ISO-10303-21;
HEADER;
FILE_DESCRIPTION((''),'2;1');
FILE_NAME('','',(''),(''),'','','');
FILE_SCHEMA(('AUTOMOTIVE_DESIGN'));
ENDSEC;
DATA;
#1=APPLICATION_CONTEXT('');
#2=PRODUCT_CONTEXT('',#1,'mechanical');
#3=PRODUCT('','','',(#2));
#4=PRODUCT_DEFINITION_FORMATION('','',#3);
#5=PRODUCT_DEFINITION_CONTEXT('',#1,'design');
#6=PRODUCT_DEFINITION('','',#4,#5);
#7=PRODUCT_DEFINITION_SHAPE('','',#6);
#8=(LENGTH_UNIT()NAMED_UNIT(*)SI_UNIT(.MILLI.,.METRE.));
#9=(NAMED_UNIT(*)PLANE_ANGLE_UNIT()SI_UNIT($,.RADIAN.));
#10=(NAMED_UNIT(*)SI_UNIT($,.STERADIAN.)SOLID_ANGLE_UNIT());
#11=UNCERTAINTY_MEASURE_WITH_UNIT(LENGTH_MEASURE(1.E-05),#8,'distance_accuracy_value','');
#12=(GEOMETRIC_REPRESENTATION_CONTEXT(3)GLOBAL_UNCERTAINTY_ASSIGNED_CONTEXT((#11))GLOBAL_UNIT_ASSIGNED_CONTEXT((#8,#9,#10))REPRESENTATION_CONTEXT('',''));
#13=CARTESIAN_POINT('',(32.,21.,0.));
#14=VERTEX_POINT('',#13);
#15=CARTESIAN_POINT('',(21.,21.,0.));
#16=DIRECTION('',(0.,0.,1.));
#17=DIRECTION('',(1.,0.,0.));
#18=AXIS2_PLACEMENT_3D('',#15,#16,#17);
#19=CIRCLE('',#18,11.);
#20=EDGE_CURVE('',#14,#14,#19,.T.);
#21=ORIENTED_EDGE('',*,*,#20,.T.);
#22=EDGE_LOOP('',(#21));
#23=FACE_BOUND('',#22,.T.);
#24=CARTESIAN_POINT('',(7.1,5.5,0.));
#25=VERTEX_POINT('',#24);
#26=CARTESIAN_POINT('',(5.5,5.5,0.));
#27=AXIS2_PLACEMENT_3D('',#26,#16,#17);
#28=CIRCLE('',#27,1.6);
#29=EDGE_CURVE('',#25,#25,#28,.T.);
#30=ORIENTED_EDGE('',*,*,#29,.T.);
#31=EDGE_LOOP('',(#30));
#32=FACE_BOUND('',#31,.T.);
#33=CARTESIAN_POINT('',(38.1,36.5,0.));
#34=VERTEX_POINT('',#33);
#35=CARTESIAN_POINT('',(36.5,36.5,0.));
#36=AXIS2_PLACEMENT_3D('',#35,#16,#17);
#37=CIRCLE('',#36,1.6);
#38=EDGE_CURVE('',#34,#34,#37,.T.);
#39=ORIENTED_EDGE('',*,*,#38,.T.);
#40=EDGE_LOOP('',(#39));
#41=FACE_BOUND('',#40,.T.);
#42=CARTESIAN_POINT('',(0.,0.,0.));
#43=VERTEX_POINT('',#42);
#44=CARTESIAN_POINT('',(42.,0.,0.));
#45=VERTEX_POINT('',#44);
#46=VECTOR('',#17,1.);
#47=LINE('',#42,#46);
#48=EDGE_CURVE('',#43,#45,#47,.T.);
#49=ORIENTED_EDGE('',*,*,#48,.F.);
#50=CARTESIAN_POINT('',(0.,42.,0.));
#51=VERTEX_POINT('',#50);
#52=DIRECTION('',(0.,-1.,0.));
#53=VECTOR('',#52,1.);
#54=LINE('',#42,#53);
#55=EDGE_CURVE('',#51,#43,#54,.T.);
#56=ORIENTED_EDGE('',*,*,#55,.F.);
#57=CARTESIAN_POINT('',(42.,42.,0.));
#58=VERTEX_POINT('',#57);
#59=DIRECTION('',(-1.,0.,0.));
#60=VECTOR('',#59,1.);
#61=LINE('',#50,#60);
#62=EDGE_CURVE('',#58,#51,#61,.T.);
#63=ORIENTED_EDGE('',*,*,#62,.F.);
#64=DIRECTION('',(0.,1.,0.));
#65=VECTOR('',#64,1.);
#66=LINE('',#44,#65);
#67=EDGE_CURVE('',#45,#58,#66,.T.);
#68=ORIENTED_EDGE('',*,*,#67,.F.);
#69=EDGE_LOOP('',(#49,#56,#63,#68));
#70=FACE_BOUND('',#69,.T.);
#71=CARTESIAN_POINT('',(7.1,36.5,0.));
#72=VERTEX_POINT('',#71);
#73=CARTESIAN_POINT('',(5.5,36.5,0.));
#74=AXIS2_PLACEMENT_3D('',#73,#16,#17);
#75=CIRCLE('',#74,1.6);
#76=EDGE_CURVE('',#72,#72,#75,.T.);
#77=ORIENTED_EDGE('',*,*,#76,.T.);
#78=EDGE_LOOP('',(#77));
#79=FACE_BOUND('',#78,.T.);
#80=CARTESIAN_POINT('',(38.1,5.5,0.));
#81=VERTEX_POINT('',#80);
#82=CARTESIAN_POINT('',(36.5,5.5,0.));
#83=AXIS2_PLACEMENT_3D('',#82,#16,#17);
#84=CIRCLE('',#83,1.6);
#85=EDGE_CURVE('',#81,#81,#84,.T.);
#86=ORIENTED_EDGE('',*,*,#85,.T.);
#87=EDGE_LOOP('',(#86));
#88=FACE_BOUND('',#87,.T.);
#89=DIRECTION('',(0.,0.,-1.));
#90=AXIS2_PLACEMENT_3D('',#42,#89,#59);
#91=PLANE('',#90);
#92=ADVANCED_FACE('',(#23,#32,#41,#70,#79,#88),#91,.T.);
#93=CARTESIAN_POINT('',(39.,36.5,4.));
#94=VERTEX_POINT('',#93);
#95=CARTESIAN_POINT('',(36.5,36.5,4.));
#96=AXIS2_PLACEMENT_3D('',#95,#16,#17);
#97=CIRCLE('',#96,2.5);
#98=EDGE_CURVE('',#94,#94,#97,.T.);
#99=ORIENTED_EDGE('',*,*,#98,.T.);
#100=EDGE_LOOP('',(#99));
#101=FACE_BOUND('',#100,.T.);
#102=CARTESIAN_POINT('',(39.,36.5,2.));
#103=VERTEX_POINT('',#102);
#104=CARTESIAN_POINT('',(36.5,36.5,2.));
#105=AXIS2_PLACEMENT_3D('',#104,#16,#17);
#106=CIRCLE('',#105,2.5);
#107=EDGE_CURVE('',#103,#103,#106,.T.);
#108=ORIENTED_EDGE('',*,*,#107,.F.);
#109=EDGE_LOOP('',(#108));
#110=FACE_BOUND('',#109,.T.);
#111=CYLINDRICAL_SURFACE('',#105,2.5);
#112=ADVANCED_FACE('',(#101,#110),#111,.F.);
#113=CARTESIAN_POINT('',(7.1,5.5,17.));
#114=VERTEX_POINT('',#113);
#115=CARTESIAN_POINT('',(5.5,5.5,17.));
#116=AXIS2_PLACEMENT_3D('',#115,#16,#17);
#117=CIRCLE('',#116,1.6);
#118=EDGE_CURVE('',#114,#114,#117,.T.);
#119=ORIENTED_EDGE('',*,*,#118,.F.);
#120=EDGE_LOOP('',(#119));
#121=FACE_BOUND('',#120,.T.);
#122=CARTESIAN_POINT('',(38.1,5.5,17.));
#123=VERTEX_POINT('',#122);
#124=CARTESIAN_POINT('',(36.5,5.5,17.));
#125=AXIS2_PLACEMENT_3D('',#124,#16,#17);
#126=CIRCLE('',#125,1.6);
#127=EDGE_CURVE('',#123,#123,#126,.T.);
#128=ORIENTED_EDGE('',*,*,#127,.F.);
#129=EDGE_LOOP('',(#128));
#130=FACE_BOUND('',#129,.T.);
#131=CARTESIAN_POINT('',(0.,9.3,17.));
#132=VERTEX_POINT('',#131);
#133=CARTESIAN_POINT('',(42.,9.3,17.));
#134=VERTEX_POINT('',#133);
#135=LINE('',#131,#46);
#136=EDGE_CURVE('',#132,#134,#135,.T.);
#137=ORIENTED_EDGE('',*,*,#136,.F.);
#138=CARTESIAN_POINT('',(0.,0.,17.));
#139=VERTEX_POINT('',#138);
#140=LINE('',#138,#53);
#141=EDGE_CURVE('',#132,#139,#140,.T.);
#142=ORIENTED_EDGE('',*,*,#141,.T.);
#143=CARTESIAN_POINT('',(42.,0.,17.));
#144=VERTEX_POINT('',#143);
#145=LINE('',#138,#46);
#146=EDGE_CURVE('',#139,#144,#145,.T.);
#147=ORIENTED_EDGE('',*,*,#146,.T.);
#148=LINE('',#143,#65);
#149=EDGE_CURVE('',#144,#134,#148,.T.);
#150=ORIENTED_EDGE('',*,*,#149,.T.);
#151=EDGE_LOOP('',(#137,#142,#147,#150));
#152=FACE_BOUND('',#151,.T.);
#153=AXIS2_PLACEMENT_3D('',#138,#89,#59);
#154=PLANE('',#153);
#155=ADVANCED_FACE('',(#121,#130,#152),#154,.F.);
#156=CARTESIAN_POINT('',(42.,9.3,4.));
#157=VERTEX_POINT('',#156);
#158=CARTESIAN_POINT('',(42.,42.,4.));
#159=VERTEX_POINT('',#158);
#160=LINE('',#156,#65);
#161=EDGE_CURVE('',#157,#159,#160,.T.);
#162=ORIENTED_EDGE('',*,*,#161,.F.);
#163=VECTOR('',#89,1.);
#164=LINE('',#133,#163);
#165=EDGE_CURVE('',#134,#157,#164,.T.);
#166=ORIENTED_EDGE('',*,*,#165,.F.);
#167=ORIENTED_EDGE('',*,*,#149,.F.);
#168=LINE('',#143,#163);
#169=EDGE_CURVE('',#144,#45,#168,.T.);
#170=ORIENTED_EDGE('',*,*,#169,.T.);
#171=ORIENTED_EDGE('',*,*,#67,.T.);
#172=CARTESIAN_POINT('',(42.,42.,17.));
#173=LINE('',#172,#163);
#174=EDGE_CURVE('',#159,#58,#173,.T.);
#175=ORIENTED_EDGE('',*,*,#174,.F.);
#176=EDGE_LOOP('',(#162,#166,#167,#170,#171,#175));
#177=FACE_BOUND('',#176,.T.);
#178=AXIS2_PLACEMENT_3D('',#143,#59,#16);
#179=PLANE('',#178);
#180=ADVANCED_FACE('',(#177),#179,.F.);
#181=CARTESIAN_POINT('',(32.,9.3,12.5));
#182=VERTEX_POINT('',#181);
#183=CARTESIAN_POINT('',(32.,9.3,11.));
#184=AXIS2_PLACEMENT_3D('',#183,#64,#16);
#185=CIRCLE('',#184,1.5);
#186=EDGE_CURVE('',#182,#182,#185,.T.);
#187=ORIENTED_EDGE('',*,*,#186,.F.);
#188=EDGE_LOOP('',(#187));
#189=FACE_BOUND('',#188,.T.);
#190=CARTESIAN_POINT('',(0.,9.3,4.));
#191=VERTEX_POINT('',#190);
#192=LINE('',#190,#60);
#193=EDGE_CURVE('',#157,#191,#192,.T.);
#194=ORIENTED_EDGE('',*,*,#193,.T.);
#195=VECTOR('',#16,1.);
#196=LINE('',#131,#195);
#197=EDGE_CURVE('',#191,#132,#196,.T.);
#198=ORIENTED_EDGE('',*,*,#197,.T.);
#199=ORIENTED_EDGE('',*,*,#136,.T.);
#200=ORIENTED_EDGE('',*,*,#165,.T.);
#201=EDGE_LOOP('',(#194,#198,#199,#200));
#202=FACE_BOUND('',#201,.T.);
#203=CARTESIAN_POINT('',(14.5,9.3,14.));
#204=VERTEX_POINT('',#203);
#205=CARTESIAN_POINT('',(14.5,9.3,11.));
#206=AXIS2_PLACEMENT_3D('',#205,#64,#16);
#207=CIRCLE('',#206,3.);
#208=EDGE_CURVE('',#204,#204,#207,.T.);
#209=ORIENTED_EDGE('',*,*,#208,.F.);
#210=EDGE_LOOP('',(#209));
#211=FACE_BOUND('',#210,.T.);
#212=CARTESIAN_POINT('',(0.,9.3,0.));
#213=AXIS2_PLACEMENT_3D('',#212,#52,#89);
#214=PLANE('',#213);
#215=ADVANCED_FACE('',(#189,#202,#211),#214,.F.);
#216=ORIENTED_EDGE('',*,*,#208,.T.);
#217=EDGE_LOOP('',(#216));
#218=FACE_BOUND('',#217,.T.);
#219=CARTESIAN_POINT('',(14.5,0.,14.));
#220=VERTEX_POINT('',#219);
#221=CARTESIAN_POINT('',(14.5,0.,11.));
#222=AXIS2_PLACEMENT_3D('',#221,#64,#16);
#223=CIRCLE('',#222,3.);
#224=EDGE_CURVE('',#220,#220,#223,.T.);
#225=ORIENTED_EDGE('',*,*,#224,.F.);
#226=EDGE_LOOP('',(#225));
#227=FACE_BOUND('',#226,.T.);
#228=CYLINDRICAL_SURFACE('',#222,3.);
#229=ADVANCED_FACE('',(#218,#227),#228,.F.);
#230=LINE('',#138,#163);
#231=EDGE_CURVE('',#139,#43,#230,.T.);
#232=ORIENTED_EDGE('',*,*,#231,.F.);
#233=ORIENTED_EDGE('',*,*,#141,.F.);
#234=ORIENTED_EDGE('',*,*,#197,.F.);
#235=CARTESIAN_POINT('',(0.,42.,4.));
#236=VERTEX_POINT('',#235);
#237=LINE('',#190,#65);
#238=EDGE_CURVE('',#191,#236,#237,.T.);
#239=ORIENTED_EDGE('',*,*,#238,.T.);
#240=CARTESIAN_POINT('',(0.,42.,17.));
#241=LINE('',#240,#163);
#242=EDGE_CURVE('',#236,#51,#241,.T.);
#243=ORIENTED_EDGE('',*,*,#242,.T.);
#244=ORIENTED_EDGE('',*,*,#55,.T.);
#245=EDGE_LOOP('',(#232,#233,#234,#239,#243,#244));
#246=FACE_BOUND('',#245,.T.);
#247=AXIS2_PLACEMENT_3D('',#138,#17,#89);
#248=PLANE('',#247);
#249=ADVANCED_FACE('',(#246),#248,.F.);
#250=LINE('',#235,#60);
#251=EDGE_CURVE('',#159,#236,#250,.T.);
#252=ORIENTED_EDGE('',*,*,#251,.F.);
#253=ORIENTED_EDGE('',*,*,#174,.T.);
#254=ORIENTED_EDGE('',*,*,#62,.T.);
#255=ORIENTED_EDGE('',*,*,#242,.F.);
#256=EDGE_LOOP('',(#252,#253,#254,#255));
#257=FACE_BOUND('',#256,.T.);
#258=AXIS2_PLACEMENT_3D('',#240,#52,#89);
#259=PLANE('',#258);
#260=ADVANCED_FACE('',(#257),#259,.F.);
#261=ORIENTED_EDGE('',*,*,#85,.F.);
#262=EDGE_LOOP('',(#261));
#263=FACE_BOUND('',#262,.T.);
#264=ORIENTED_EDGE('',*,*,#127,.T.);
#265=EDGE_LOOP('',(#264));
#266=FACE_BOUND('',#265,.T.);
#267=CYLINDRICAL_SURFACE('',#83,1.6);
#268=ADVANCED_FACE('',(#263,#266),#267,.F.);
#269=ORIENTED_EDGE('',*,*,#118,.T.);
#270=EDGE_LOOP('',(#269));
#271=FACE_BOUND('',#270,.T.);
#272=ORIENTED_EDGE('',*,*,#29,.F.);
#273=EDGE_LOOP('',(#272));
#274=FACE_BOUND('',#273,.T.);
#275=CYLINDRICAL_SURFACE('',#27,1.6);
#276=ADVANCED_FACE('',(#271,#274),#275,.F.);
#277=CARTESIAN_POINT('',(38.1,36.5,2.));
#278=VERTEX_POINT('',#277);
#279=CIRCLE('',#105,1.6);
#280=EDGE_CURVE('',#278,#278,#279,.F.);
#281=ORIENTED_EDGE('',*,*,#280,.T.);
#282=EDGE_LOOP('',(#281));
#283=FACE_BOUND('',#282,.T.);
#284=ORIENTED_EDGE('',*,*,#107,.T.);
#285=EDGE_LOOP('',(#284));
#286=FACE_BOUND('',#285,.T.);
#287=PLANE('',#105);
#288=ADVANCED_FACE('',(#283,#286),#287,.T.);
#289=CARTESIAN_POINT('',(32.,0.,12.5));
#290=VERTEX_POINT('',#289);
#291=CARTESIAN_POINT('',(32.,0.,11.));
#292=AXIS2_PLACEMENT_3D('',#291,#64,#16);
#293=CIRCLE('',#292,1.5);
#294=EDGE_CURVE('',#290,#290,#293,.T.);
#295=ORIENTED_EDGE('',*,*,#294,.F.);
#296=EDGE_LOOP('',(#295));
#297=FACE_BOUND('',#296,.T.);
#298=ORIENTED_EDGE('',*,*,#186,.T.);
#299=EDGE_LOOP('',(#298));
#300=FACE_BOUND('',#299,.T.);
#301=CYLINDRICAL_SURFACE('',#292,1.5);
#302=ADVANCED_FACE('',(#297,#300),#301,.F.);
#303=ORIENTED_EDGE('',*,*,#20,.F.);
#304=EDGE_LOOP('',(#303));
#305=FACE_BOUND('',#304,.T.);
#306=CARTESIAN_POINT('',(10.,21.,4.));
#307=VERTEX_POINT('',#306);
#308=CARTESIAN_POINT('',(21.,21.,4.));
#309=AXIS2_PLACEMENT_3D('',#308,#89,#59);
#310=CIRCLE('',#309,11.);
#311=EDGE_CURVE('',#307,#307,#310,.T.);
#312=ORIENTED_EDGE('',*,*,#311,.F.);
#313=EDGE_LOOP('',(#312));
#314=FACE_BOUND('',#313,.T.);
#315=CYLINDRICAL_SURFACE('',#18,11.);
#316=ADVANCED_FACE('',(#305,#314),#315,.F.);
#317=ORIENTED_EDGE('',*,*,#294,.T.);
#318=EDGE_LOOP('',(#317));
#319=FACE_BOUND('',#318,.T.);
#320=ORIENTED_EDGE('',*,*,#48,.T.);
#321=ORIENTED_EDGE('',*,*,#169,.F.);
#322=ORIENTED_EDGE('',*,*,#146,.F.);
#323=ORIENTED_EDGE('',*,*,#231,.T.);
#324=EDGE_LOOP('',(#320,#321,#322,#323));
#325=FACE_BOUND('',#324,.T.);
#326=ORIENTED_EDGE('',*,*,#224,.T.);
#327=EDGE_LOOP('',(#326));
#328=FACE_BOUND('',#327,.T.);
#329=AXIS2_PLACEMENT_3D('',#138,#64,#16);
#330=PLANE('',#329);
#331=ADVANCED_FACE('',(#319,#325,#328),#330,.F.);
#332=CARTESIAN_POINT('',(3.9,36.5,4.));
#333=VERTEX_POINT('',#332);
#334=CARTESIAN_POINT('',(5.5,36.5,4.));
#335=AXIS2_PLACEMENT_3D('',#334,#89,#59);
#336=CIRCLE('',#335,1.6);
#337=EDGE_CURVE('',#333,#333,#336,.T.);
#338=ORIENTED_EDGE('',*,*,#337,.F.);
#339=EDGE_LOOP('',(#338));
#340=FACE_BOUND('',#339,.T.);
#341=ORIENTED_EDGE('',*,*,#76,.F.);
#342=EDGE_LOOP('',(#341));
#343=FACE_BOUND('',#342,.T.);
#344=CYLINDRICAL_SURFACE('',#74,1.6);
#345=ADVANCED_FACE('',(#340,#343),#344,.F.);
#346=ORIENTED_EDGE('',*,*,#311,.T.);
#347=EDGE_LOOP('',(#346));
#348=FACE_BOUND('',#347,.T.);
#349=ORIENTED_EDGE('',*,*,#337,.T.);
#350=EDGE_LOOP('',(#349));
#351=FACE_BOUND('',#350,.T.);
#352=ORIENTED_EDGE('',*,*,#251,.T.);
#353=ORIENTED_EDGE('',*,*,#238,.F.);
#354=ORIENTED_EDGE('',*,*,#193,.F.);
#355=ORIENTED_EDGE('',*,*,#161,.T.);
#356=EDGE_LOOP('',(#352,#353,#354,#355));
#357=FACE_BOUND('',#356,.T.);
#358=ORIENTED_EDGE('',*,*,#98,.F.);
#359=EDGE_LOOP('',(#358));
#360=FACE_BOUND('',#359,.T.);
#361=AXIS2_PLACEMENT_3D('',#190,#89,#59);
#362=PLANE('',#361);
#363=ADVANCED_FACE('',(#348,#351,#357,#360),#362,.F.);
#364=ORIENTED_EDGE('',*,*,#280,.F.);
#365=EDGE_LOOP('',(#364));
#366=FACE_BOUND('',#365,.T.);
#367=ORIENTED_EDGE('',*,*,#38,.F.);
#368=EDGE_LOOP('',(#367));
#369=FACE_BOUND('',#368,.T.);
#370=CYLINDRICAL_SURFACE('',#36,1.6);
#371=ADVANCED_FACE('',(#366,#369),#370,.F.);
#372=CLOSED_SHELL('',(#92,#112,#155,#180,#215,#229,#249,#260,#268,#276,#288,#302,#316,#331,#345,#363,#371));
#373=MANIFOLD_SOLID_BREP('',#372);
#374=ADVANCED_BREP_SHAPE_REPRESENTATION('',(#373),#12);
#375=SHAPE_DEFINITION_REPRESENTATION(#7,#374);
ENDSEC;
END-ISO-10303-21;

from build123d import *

# Parameters (mm, degrees)
SKETCH1_W               = 42
SKETCH1_H               = 42
BOSS_EXTRUDE1_DEPTH     = 17
SKETCH3_W               = 42
SKETCH3_H               = 13
CUT_EXTRUDE1_DEPTH      = 32.7
CUT_EXTRUDE2_DEPTH      = 61.802960454
CUT_EXTRUDE2_DEPTH_BACK = 61.802960454
SKETCH4_R               = 1.6
SKETCH4_R_2             = 11
SKETCH5_R               = 2.5
CUT_EXTRUDE3_DEPTH      = 2
SKETCH6_R               = 1.5
SKETCH6_R_2             = 3
CUT_EXTRUDE4_DEPTH      = 56.877455203


with BuildPart() as part:
    # Sketch1 → Boss-Extrude1 (new body)
    with BuildSketch(Plane.XY):
        with Locations((21, 21)):
            Rectangle(SKETCH1_W, SKETCH1_H)
    extrude(amount=BOSS_EXTRUDE1_DEPTH)

    # Sketch3 → Cut-Extrude1 (cut)
    with BuildSketch(Plane(origin=(0, 42, 0), x_dir=(1, 0, 0), z_dir=(0, 1, 0))):
        with Locations((21, -10.5)):
            Rectangle(SKETCH3_W, SKETCH3_H)
    extrude(amount=-CUT_EXTRUDE1_DEPTH, mode=Mode.SUBTRACT)

    # Sketch4 → Cut-Extrude2 (cut, two sides: drawn at the far end of the back side and taken through both)
    with BuildSketch(Plane.XY.offset(4).offset(-CUT_EXTRUDE2_DEPTH_BACK)):
        with Locations((36.5, 36.5)):
            Circle(SKETCH4_R)
        with Locations((5.5, 36.5)):
            Circle(SKETCH4_R)
        with Locations((21, 21)):
            Circle(SKETCH4_R_2)
        with Locations((5.5, 5.5)):
            Circle(SKETCH4_R)
        with Locations((36.5, 5.5)):
            Circle(SKETCH4_R)
    extrude(amount=CUT_EXTRUDE2_DEPTH + CUT_EXTRUDE2_DEPTH_BACK, mode=Mode.SUBTRACT)

    # Sketch5 → Cut-Extrude3 (cut)
    with BuildSketch(Plane.XY.offset(4)):
        with Locations((36.5, 36.5)):
            Circle(SKETCH5_R)
    extrude(amount=-CUT_EXTRUDE3_DEPTH, mode=Mode.SUBTRACT)

    # Sketch6 → Cut-Extrude4 (cut, through all)
    with BuildSketch(Plane(origin=(0, 9.3, 0), x_dir=(1, 0, 0), z_dir=(0, 1, 0))):
        with Locations(Location((32, -11, 0), (0, 0, 270))):
            Circle(SKETCH6_R)
        with Locations(Location((14.5, -11, 0), (0, 0, 270))):
            Circle(SKETCH6_R_2)
    extrude(amount=-CUT_EXTRUDE4_DEPTH, mode=Mode.SUBTRACT)


solid = part.part
